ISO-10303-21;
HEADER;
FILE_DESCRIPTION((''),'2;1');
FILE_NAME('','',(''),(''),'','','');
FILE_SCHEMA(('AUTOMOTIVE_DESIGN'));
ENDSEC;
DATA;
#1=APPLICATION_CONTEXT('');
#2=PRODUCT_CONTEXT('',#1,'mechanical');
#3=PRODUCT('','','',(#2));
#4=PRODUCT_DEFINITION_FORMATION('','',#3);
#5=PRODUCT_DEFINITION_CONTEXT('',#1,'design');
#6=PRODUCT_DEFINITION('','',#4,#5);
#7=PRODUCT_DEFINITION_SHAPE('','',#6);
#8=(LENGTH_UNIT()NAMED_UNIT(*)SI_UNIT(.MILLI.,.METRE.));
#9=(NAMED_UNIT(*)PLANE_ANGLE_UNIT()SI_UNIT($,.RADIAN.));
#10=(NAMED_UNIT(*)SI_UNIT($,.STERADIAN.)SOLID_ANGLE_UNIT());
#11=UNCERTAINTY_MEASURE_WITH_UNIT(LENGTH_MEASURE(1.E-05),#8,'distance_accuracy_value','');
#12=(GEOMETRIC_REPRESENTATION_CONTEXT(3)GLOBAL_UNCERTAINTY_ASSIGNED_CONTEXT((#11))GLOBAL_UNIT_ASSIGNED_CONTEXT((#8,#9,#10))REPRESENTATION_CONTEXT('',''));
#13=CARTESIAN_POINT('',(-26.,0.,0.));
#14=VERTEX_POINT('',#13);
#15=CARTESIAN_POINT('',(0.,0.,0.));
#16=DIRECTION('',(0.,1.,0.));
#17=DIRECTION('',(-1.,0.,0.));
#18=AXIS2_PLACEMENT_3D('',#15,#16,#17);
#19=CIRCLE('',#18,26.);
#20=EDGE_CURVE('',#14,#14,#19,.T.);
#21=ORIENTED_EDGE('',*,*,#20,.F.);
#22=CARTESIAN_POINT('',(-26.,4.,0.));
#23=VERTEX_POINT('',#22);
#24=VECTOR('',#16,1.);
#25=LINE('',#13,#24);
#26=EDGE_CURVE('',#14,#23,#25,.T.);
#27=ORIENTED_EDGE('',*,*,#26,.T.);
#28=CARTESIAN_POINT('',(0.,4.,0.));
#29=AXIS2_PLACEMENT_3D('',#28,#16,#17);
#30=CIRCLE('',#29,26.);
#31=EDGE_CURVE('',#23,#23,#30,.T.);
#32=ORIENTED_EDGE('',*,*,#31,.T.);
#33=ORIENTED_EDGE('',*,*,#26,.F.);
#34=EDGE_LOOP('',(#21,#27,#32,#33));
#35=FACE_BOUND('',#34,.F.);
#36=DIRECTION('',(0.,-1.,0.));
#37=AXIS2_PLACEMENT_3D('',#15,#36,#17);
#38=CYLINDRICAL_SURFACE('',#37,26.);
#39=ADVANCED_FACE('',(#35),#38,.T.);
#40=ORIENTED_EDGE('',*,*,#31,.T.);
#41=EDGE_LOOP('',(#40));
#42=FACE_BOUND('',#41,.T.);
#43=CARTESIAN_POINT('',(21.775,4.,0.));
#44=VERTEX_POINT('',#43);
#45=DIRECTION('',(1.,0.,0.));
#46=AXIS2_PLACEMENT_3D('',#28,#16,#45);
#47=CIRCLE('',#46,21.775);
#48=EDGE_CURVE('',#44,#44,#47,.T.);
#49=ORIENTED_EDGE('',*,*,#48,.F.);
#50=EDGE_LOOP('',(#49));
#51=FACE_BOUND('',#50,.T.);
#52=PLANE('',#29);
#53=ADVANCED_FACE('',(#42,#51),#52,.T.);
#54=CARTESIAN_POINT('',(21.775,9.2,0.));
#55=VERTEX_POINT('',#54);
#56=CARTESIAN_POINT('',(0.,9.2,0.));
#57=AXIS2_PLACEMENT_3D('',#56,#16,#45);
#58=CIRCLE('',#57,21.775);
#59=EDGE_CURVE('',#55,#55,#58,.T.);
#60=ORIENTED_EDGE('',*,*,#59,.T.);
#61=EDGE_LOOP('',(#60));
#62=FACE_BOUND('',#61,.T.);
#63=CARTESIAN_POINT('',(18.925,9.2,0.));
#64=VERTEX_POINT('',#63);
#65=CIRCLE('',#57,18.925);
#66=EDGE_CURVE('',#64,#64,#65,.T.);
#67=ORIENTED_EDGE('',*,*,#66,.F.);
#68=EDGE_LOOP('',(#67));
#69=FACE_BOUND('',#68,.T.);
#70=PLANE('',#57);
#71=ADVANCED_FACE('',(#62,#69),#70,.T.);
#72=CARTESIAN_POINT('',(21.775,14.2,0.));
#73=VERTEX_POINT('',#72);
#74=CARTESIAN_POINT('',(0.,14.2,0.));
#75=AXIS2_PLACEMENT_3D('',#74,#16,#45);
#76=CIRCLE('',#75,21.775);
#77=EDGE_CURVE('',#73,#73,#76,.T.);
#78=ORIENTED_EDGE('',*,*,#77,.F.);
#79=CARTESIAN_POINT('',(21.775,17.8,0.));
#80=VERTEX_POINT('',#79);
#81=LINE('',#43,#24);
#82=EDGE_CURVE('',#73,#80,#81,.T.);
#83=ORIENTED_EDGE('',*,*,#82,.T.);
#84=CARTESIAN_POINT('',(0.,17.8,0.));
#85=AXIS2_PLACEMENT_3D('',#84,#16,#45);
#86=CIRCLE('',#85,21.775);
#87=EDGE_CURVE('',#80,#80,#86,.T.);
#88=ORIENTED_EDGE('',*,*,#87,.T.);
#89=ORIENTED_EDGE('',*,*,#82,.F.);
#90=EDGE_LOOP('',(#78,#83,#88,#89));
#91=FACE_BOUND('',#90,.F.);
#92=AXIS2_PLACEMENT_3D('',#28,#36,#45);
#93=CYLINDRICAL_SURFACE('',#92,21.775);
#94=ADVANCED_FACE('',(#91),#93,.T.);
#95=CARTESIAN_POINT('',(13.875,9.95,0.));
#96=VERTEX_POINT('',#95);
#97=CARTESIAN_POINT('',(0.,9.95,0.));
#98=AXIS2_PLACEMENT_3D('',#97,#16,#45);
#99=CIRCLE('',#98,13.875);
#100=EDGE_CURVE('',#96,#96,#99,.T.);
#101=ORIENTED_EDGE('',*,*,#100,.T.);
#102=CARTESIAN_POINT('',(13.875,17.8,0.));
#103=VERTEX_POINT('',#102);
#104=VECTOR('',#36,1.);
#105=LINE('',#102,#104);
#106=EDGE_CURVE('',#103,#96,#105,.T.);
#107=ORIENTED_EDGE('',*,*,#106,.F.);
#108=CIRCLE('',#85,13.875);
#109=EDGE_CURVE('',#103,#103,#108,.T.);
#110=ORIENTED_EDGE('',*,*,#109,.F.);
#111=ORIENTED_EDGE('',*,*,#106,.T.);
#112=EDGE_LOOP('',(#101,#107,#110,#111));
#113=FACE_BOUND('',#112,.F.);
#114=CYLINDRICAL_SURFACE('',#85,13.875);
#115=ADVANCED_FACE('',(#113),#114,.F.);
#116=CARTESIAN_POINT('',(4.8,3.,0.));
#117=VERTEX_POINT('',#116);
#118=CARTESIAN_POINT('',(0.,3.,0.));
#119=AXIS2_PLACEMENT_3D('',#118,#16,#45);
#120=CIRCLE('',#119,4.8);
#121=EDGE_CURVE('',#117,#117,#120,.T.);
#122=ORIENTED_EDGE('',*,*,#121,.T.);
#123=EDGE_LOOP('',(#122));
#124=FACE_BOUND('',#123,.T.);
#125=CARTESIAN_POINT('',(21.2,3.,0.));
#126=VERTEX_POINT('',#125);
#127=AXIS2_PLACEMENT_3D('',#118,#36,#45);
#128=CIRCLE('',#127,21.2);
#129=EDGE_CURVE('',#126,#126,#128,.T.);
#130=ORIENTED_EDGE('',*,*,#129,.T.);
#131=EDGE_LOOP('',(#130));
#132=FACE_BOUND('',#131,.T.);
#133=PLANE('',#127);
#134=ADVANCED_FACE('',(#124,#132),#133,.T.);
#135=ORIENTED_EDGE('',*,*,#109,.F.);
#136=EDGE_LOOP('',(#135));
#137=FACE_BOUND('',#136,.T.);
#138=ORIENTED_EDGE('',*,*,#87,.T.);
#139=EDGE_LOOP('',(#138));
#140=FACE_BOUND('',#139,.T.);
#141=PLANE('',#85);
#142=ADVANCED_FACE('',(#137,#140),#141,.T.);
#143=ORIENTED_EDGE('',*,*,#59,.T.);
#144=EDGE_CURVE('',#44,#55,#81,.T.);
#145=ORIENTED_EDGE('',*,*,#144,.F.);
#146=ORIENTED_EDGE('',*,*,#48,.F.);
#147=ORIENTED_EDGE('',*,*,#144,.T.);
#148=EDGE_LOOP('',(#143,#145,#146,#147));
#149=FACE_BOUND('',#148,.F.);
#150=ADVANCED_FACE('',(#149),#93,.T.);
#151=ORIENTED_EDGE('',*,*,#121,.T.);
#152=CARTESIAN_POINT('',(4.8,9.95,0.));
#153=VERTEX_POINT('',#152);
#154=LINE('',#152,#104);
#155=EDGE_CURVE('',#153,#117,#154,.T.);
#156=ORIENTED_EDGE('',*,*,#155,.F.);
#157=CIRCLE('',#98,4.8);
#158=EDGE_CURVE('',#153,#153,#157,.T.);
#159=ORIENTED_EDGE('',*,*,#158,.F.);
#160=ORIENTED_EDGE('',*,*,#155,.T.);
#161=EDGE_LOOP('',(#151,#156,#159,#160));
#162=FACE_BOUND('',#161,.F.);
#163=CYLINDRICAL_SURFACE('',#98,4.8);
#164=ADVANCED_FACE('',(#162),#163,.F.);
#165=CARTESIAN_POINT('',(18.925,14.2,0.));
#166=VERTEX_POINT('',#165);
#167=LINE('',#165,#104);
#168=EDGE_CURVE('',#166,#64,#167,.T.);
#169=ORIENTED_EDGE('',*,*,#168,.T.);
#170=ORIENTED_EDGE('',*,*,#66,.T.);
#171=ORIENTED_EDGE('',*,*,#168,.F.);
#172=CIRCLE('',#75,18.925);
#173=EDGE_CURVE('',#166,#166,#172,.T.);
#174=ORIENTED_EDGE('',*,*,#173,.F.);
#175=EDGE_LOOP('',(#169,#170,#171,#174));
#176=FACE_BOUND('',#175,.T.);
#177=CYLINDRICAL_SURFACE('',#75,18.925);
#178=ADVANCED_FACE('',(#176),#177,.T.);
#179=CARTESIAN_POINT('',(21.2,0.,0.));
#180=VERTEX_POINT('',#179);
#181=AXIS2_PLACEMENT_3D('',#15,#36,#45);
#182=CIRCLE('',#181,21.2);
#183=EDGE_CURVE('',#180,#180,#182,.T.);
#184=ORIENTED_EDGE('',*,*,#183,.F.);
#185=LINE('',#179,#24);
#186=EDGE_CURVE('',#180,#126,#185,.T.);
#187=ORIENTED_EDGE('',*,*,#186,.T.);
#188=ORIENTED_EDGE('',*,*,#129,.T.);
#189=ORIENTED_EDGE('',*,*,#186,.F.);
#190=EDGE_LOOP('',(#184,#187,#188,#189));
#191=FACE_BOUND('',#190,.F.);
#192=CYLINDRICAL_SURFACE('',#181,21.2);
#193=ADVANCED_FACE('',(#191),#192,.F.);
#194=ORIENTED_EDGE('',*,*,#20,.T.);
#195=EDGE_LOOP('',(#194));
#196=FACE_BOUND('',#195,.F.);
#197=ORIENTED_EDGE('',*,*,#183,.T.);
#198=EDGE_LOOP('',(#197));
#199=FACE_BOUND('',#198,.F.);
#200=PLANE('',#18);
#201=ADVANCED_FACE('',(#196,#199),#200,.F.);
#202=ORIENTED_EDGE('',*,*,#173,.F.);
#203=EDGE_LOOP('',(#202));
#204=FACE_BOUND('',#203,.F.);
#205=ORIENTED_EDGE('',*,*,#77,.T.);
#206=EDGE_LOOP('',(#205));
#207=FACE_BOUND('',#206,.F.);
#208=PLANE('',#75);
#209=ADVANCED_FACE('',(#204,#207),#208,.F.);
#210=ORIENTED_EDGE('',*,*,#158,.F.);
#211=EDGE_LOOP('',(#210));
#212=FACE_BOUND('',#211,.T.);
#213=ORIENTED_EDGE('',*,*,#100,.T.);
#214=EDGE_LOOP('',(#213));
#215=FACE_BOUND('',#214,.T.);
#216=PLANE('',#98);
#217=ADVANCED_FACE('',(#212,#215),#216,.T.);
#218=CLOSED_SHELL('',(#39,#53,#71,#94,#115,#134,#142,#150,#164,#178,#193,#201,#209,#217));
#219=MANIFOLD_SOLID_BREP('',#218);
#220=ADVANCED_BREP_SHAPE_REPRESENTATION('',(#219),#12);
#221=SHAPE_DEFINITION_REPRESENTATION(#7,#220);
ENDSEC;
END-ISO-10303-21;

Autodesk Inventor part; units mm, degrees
ref_plane "YZ Plane" through (0, 0, 0) normal (1, 0, 0) x (0, 1, 0)
ref_plane "XZ Plane" through (0, 0, 0) normal (0, 1, 0) x (-1, 0, 0)
sketch "Boceto1" plane through (0, 0, 0) normal (0, 1, 0) x (-1, 0, 0)
  circle A0 centre (0, 0) radius 26
  dimension "d0" = 52
extrude "Extrusión1" add sketch "Boceto1" along normal blind 4
sketch "Boceto2" plane through (0, 4, 0) normal (0, 1, 0) x (1, 0, 0)
  circle A0 centre (0, 0) radius 21.775
  dimension "d3" = 43.55
extrude "Extrusión2" add sketch "Boceto2" along normal blind 13.8
sketch "Boceto3" plane through (0, 17.8, 0) normal (0, 1, 0) x (1, 0, 0)
  circle A0 centre (0, 0) radius 13.875
  dimension "d6" = 27.75
extrude "Extrusión3" cut sketch "Boceto3" against normal blind 7.85
sketch "Boceto4" plane through (0, 9.95, 0) normal (0, 1, 0) x (1, 0, 0)
  circle A0 centre (0, 0) radius 4.8
  dimension "d9" = 9.6
extrude "Extrusión4" cut sketch "Boceto4" against normal blind 12
sketch "Boceto5" plane through (0, 0, 0) normal (0, -1, 0) x (1, 0, 0)
  circle A0 centre (0, 0) radius 21.2
  dimension "d12" = 42.4
extrude "Extrusión5" cut sketch "Boceto5" against normal blind 3
thread "Rosca1" size "M10x1.5" class "6H" standard "ANSI Metric M Profile" full length
ref_plane "Plano de trabajo1" through (0, 14.2, 0) normal (0, 1, 0) x (1, 0, 0)
sketch "Boceto6" plane through (0, 14.2, 0) normal (0, 1, 0) x (1, 0, 0)
  circle A0 centre (0, 0) radius 21.775
  circle A1 centre (0, 0) radius 18.925
  dimension "d18" = 37.85
extrude "Extrusión6" cut sketch "Boceto6" against normal blind 5
properties part number "Pieza_sonar"
